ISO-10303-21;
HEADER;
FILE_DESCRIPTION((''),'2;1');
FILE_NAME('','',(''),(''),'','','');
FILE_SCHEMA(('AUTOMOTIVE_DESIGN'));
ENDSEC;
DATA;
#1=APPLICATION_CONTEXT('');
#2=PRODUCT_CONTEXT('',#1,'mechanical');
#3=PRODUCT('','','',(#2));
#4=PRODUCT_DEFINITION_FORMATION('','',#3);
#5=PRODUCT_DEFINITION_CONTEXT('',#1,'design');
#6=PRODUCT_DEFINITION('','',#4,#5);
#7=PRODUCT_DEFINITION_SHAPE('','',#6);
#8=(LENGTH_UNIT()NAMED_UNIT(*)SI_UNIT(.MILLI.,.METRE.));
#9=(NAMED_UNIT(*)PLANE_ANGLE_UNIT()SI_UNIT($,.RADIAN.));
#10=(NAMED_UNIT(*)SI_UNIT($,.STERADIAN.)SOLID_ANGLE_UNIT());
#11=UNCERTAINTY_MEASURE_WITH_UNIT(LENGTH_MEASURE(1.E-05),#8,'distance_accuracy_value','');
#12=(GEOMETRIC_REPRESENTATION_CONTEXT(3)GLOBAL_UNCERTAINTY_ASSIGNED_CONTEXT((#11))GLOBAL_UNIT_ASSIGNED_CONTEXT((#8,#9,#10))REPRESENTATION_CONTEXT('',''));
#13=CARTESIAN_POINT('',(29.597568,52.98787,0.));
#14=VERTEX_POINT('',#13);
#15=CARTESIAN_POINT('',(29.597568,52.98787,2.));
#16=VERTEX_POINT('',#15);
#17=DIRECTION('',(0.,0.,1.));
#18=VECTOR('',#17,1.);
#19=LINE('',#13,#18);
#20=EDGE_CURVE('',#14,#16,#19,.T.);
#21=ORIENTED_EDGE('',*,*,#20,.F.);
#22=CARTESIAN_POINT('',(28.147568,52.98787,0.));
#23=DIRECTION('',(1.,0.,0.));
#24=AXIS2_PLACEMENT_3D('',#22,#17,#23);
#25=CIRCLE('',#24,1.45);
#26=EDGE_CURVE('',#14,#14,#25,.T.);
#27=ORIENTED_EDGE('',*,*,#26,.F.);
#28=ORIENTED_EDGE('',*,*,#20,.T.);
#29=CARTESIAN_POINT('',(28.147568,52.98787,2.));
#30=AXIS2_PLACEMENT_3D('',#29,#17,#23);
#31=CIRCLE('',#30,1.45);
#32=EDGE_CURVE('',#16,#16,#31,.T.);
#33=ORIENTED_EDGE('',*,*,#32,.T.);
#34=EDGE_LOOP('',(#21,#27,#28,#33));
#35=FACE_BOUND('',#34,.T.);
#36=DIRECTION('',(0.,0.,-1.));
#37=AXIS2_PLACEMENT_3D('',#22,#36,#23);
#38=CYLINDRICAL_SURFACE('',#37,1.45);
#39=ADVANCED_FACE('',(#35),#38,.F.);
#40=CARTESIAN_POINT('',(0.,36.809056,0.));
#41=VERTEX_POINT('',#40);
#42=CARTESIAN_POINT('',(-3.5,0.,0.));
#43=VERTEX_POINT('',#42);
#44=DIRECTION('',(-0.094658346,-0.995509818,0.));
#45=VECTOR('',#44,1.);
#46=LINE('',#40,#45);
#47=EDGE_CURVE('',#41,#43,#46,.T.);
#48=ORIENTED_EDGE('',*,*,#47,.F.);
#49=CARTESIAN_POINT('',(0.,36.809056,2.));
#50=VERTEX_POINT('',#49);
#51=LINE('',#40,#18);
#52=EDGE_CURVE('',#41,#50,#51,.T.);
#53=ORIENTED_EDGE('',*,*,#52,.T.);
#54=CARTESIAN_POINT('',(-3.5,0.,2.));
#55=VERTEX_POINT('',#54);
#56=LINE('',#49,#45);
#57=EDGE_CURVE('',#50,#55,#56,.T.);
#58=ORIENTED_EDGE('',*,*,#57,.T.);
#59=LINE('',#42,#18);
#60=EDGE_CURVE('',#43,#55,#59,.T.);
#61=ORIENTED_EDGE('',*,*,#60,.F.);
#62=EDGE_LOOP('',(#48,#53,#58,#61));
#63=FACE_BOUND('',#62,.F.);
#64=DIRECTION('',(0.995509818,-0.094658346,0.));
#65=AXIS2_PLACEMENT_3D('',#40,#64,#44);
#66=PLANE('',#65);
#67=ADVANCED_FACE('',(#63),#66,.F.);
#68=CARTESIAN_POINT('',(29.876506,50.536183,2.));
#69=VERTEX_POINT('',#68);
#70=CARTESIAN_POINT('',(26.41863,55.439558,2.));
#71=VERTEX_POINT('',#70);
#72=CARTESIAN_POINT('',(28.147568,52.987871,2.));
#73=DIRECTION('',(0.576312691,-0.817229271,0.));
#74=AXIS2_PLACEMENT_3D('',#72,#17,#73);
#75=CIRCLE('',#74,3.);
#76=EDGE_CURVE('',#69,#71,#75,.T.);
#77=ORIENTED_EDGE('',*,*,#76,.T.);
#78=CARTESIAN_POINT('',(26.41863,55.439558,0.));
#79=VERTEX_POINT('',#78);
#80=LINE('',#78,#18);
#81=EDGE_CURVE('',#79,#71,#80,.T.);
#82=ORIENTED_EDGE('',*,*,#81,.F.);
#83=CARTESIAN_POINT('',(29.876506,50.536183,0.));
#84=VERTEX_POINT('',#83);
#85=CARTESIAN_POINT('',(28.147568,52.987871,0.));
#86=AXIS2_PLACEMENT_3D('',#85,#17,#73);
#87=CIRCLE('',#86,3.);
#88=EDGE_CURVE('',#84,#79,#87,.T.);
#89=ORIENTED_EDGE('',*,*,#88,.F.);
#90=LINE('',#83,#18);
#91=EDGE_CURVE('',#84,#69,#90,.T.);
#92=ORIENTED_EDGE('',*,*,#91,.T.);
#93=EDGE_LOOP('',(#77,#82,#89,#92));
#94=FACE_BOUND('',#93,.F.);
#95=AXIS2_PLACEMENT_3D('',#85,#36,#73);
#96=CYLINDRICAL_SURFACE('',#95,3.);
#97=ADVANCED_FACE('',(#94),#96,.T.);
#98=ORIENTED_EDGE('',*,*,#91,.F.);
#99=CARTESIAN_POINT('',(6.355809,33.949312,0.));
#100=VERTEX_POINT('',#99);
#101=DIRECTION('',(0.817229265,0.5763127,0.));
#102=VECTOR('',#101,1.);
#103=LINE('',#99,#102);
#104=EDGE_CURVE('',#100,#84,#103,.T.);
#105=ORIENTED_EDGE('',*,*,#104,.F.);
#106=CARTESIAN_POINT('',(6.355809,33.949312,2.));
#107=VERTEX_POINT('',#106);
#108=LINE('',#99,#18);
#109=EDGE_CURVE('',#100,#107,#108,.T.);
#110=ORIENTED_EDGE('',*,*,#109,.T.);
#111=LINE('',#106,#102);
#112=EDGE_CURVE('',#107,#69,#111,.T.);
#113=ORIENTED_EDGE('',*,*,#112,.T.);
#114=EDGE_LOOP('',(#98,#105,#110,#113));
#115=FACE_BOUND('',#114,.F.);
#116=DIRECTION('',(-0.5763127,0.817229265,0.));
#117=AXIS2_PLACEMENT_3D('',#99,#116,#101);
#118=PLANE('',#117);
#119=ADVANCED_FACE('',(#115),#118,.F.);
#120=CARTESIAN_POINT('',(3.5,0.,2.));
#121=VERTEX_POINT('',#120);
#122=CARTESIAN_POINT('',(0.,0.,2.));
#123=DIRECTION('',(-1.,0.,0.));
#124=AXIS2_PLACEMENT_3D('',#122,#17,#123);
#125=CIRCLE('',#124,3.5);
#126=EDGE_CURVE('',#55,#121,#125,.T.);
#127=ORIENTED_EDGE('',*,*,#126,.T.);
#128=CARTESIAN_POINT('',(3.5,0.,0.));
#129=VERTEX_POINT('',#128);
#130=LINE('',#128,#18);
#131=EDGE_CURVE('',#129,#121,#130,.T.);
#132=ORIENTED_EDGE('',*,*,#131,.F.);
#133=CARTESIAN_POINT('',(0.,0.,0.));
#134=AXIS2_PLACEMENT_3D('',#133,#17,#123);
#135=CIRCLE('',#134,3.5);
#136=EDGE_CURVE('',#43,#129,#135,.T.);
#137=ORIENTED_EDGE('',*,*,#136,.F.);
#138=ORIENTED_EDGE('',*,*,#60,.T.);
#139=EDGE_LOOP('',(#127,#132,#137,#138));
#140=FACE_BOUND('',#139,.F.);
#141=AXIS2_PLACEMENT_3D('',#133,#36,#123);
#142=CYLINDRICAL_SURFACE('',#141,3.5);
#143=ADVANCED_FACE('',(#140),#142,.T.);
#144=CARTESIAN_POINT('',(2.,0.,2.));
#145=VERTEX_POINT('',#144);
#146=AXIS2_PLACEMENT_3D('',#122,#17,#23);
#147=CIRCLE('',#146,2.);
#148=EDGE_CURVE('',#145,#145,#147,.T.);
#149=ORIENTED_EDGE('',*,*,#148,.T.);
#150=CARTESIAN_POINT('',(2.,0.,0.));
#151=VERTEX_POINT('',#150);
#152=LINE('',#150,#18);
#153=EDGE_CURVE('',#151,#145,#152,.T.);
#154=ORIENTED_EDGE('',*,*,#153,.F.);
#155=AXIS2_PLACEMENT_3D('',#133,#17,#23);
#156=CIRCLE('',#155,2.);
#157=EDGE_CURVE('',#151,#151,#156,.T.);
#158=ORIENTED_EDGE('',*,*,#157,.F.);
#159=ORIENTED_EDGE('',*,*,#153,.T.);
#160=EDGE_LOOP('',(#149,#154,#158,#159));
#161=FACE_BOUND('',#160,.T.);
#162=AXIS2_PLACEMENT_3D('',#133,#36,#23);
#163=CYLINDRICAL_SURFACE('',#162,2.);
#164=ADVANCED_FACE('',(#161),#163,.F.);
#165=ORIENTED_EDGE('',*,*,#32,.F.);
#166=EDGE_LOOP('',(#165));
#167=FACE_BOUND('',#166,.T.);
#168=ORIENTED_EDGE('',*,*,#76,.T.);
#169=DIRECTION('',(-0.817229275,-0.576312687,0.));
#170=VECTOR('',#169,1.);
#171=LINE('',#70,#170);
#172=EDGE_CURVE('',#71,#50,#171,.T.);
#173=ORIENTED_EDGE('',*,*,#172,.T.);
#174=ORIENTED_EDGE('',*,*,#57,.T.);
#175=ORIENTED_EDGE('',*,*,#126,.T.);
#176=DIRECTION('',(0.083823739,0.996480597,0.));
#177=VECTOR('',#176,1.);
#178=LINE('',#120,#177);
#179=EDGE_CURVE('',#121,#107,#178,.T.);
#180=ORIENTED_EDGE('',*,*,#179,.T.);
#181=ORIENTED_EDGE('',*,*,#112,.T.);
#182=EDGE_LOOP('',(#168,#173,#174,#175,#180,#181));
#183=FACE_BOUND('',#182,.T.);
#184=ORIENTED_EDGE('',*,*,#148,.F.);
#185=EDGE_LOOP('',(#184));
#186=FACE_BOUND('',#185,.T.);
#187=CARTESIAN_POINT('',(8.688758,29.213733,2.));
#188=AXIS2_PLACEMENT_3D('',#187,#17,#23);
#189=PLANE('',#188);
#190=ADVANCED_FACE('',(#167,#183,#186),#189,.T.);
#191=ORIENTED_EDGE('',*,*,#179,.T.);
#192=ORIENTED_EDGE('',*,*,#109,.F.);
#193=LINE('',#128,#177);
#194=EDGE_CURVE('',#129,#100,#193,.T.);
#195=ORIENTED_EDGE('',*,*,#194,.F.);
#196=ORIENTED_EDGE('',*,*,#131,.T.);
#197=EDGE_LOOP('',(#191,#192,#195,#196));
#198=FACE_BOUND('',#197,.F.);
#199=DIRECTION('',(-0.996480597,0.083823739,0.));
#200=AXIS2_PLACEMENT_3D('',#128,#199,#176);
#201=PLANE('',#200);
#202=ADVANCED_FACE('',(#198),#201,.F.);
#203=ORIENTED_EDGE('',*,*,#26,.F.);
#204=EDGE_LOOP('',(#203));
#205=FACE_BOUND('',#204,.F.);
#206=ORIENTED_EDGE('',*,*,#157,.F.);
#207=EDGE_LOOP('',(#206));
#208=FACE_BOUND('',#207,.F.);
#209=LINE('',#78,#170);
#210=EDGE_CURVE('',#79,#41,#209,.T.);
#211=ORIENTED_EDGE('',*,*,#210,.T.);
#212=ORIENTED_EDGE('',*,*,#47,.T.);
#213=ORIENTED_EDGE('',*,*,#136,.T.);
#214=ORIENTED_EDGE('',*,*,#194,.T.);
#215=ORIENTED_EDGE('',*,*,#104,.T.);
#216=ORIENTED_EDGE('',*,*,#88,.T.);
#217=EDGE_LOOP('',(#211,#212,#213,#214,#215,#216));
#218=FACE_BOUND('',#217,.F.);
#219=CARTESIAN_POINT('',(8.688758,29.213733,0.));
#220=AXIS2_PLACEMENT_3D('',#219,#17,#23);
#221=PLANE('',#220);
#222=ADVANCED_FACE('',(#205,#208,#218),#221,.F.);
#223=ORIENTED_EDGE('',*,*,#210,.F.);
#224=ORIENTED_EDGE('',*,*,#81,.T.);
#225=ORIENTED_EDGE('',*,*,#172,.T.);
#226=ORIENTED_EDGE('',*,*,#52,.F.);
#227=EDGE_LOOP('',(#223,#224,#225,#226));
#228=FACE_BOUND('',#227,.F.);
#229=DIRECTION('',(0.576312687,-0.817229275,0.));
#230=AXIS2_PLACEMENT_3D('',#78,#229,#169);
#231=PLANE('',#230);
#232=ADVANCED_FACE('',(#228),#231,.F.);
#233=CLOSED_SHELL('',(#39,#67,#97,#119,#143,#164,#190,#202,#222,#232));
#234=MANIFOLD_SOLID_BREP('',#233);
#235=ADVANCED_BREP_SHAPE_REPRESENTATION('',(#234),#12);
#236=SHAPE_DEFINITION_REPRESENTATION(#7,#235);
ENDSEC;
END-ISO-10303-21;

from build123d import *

# Parameters (mm, degrees)
F0_R     = 2
F0_R_2   = 1.45
F1_DEPTH = 2


with BuildPart() as f1:
    # F0 (on Top) → F1 (new body)
    with BuildSketch(Plane.XY):
        with BuildLine():
            ThreePointArc((-3.5, 0), (0, -3.5), (3.5, 0))
            Line((3.5, 0), (6.355809, 33.949312))
            Line((6.355809, 33.949312), (29.876506, 50.536183))
            ThreePointArc((29.876506, 50.536183), (30.599256, 54.716808), (26.41863, 55.439558))
            Line((26.41863, 55.439558), (0, 36.809056))
            Line((0, 36.809056), (-3.5, 0))
        make_face()
        Circle(F0_R, mode=Mode.SUBTRACT)
        with Locations((28.147568, 52.98787)):
            Circle(F0_R_2, mode=Mode.SUBTRACT)
    extrude(amount=F1_DEPTH)


solid = f1.part
